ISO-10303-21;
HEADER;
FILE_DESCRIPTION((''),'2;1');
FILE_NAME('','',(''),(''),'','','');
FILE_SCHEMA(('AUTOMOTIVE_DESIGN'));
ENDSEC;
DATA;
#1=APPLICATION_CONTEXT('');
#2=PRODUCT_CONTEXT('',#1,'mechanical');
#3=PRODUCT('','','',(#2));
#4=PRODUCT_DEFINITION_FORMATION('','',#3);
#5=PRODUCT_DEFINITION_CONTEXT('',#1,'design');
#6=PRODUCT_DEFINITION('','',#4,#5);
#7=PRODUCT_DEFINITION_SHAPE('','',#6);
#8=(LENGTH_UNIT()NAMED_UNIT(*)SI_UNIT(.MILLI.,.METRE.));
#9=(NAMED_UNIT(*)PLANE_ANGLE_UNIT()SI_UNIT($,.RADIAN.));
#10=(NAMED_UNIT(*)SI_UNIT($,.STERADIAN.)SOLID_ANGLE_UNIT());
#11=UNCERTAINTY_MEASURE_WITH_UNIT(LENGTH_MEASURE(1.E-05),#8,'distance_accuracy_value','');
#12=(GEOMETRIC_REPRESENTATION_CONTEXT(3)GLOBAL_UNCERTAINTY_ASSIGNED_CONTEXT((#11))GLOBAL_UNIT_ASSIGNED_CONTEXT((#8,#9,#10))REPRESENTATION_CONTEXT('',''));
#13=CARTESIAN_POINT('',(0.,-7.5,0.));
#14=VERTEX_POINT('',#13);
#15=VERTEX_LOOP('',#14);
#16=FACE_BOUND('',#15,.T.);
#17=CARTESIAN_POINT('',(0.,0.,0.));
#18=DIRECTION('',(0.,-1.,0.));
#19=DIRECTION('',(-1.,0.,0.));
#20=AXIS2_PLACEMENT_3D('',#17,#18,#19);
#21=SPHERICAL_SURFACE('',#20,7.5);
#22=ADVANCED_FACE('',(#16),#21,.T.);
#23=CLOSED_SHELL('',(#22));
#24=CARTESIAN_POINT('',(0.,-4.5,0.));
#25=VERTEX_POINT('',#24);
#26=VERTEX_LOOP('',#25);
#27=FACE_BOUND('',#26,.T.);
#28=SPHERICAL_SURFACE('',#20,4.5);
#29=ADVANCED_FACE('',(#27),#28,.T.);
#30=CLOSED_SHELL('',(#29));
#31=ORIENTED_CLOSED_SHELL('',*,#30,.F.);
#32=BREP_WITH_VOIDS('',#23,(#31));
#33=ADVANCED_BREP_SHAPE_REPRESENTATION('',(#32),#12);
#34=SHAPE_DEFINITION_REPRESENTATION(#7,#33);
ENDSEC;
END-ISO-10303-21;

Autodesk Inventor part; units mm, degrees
ref_plane "YZ Plane" through (0, 0, 0) normal (1, 0, 0) x (0, 1, 0)
ref_plane "XZ Plane" through (0, 0, 0) normal (0, 1, 0) x (-1, 0, 0)
ref_plane "XY Plane" through (0, 0, 0) normal (0, 0, 1) x (1, 0, 0)
sketch "Esboço1" plane through (0, 0, 0) normal (0, 0, 1) x (1, 0, 0)
  line L0 (0, 7.5) -> (0, -7.5)
  arc A0 (0, 7.5) -> (0, -7.5) centre (0, 0) ccw
  arc A1 (0, 4.5) -> (0, -4.5) centre (0, 0) ccw
  point P0 (0, -4.5)
  dimension "d1" = 7.5
  dimension "d2" = 4.5
revolve "Revolução1" add sketch "Esboço1" angle 360 about axis through (0, 7.5, 0) along (0, -1, 0) contours L0 A1 A0
properties part number "Esf_001" material "Vidro"
